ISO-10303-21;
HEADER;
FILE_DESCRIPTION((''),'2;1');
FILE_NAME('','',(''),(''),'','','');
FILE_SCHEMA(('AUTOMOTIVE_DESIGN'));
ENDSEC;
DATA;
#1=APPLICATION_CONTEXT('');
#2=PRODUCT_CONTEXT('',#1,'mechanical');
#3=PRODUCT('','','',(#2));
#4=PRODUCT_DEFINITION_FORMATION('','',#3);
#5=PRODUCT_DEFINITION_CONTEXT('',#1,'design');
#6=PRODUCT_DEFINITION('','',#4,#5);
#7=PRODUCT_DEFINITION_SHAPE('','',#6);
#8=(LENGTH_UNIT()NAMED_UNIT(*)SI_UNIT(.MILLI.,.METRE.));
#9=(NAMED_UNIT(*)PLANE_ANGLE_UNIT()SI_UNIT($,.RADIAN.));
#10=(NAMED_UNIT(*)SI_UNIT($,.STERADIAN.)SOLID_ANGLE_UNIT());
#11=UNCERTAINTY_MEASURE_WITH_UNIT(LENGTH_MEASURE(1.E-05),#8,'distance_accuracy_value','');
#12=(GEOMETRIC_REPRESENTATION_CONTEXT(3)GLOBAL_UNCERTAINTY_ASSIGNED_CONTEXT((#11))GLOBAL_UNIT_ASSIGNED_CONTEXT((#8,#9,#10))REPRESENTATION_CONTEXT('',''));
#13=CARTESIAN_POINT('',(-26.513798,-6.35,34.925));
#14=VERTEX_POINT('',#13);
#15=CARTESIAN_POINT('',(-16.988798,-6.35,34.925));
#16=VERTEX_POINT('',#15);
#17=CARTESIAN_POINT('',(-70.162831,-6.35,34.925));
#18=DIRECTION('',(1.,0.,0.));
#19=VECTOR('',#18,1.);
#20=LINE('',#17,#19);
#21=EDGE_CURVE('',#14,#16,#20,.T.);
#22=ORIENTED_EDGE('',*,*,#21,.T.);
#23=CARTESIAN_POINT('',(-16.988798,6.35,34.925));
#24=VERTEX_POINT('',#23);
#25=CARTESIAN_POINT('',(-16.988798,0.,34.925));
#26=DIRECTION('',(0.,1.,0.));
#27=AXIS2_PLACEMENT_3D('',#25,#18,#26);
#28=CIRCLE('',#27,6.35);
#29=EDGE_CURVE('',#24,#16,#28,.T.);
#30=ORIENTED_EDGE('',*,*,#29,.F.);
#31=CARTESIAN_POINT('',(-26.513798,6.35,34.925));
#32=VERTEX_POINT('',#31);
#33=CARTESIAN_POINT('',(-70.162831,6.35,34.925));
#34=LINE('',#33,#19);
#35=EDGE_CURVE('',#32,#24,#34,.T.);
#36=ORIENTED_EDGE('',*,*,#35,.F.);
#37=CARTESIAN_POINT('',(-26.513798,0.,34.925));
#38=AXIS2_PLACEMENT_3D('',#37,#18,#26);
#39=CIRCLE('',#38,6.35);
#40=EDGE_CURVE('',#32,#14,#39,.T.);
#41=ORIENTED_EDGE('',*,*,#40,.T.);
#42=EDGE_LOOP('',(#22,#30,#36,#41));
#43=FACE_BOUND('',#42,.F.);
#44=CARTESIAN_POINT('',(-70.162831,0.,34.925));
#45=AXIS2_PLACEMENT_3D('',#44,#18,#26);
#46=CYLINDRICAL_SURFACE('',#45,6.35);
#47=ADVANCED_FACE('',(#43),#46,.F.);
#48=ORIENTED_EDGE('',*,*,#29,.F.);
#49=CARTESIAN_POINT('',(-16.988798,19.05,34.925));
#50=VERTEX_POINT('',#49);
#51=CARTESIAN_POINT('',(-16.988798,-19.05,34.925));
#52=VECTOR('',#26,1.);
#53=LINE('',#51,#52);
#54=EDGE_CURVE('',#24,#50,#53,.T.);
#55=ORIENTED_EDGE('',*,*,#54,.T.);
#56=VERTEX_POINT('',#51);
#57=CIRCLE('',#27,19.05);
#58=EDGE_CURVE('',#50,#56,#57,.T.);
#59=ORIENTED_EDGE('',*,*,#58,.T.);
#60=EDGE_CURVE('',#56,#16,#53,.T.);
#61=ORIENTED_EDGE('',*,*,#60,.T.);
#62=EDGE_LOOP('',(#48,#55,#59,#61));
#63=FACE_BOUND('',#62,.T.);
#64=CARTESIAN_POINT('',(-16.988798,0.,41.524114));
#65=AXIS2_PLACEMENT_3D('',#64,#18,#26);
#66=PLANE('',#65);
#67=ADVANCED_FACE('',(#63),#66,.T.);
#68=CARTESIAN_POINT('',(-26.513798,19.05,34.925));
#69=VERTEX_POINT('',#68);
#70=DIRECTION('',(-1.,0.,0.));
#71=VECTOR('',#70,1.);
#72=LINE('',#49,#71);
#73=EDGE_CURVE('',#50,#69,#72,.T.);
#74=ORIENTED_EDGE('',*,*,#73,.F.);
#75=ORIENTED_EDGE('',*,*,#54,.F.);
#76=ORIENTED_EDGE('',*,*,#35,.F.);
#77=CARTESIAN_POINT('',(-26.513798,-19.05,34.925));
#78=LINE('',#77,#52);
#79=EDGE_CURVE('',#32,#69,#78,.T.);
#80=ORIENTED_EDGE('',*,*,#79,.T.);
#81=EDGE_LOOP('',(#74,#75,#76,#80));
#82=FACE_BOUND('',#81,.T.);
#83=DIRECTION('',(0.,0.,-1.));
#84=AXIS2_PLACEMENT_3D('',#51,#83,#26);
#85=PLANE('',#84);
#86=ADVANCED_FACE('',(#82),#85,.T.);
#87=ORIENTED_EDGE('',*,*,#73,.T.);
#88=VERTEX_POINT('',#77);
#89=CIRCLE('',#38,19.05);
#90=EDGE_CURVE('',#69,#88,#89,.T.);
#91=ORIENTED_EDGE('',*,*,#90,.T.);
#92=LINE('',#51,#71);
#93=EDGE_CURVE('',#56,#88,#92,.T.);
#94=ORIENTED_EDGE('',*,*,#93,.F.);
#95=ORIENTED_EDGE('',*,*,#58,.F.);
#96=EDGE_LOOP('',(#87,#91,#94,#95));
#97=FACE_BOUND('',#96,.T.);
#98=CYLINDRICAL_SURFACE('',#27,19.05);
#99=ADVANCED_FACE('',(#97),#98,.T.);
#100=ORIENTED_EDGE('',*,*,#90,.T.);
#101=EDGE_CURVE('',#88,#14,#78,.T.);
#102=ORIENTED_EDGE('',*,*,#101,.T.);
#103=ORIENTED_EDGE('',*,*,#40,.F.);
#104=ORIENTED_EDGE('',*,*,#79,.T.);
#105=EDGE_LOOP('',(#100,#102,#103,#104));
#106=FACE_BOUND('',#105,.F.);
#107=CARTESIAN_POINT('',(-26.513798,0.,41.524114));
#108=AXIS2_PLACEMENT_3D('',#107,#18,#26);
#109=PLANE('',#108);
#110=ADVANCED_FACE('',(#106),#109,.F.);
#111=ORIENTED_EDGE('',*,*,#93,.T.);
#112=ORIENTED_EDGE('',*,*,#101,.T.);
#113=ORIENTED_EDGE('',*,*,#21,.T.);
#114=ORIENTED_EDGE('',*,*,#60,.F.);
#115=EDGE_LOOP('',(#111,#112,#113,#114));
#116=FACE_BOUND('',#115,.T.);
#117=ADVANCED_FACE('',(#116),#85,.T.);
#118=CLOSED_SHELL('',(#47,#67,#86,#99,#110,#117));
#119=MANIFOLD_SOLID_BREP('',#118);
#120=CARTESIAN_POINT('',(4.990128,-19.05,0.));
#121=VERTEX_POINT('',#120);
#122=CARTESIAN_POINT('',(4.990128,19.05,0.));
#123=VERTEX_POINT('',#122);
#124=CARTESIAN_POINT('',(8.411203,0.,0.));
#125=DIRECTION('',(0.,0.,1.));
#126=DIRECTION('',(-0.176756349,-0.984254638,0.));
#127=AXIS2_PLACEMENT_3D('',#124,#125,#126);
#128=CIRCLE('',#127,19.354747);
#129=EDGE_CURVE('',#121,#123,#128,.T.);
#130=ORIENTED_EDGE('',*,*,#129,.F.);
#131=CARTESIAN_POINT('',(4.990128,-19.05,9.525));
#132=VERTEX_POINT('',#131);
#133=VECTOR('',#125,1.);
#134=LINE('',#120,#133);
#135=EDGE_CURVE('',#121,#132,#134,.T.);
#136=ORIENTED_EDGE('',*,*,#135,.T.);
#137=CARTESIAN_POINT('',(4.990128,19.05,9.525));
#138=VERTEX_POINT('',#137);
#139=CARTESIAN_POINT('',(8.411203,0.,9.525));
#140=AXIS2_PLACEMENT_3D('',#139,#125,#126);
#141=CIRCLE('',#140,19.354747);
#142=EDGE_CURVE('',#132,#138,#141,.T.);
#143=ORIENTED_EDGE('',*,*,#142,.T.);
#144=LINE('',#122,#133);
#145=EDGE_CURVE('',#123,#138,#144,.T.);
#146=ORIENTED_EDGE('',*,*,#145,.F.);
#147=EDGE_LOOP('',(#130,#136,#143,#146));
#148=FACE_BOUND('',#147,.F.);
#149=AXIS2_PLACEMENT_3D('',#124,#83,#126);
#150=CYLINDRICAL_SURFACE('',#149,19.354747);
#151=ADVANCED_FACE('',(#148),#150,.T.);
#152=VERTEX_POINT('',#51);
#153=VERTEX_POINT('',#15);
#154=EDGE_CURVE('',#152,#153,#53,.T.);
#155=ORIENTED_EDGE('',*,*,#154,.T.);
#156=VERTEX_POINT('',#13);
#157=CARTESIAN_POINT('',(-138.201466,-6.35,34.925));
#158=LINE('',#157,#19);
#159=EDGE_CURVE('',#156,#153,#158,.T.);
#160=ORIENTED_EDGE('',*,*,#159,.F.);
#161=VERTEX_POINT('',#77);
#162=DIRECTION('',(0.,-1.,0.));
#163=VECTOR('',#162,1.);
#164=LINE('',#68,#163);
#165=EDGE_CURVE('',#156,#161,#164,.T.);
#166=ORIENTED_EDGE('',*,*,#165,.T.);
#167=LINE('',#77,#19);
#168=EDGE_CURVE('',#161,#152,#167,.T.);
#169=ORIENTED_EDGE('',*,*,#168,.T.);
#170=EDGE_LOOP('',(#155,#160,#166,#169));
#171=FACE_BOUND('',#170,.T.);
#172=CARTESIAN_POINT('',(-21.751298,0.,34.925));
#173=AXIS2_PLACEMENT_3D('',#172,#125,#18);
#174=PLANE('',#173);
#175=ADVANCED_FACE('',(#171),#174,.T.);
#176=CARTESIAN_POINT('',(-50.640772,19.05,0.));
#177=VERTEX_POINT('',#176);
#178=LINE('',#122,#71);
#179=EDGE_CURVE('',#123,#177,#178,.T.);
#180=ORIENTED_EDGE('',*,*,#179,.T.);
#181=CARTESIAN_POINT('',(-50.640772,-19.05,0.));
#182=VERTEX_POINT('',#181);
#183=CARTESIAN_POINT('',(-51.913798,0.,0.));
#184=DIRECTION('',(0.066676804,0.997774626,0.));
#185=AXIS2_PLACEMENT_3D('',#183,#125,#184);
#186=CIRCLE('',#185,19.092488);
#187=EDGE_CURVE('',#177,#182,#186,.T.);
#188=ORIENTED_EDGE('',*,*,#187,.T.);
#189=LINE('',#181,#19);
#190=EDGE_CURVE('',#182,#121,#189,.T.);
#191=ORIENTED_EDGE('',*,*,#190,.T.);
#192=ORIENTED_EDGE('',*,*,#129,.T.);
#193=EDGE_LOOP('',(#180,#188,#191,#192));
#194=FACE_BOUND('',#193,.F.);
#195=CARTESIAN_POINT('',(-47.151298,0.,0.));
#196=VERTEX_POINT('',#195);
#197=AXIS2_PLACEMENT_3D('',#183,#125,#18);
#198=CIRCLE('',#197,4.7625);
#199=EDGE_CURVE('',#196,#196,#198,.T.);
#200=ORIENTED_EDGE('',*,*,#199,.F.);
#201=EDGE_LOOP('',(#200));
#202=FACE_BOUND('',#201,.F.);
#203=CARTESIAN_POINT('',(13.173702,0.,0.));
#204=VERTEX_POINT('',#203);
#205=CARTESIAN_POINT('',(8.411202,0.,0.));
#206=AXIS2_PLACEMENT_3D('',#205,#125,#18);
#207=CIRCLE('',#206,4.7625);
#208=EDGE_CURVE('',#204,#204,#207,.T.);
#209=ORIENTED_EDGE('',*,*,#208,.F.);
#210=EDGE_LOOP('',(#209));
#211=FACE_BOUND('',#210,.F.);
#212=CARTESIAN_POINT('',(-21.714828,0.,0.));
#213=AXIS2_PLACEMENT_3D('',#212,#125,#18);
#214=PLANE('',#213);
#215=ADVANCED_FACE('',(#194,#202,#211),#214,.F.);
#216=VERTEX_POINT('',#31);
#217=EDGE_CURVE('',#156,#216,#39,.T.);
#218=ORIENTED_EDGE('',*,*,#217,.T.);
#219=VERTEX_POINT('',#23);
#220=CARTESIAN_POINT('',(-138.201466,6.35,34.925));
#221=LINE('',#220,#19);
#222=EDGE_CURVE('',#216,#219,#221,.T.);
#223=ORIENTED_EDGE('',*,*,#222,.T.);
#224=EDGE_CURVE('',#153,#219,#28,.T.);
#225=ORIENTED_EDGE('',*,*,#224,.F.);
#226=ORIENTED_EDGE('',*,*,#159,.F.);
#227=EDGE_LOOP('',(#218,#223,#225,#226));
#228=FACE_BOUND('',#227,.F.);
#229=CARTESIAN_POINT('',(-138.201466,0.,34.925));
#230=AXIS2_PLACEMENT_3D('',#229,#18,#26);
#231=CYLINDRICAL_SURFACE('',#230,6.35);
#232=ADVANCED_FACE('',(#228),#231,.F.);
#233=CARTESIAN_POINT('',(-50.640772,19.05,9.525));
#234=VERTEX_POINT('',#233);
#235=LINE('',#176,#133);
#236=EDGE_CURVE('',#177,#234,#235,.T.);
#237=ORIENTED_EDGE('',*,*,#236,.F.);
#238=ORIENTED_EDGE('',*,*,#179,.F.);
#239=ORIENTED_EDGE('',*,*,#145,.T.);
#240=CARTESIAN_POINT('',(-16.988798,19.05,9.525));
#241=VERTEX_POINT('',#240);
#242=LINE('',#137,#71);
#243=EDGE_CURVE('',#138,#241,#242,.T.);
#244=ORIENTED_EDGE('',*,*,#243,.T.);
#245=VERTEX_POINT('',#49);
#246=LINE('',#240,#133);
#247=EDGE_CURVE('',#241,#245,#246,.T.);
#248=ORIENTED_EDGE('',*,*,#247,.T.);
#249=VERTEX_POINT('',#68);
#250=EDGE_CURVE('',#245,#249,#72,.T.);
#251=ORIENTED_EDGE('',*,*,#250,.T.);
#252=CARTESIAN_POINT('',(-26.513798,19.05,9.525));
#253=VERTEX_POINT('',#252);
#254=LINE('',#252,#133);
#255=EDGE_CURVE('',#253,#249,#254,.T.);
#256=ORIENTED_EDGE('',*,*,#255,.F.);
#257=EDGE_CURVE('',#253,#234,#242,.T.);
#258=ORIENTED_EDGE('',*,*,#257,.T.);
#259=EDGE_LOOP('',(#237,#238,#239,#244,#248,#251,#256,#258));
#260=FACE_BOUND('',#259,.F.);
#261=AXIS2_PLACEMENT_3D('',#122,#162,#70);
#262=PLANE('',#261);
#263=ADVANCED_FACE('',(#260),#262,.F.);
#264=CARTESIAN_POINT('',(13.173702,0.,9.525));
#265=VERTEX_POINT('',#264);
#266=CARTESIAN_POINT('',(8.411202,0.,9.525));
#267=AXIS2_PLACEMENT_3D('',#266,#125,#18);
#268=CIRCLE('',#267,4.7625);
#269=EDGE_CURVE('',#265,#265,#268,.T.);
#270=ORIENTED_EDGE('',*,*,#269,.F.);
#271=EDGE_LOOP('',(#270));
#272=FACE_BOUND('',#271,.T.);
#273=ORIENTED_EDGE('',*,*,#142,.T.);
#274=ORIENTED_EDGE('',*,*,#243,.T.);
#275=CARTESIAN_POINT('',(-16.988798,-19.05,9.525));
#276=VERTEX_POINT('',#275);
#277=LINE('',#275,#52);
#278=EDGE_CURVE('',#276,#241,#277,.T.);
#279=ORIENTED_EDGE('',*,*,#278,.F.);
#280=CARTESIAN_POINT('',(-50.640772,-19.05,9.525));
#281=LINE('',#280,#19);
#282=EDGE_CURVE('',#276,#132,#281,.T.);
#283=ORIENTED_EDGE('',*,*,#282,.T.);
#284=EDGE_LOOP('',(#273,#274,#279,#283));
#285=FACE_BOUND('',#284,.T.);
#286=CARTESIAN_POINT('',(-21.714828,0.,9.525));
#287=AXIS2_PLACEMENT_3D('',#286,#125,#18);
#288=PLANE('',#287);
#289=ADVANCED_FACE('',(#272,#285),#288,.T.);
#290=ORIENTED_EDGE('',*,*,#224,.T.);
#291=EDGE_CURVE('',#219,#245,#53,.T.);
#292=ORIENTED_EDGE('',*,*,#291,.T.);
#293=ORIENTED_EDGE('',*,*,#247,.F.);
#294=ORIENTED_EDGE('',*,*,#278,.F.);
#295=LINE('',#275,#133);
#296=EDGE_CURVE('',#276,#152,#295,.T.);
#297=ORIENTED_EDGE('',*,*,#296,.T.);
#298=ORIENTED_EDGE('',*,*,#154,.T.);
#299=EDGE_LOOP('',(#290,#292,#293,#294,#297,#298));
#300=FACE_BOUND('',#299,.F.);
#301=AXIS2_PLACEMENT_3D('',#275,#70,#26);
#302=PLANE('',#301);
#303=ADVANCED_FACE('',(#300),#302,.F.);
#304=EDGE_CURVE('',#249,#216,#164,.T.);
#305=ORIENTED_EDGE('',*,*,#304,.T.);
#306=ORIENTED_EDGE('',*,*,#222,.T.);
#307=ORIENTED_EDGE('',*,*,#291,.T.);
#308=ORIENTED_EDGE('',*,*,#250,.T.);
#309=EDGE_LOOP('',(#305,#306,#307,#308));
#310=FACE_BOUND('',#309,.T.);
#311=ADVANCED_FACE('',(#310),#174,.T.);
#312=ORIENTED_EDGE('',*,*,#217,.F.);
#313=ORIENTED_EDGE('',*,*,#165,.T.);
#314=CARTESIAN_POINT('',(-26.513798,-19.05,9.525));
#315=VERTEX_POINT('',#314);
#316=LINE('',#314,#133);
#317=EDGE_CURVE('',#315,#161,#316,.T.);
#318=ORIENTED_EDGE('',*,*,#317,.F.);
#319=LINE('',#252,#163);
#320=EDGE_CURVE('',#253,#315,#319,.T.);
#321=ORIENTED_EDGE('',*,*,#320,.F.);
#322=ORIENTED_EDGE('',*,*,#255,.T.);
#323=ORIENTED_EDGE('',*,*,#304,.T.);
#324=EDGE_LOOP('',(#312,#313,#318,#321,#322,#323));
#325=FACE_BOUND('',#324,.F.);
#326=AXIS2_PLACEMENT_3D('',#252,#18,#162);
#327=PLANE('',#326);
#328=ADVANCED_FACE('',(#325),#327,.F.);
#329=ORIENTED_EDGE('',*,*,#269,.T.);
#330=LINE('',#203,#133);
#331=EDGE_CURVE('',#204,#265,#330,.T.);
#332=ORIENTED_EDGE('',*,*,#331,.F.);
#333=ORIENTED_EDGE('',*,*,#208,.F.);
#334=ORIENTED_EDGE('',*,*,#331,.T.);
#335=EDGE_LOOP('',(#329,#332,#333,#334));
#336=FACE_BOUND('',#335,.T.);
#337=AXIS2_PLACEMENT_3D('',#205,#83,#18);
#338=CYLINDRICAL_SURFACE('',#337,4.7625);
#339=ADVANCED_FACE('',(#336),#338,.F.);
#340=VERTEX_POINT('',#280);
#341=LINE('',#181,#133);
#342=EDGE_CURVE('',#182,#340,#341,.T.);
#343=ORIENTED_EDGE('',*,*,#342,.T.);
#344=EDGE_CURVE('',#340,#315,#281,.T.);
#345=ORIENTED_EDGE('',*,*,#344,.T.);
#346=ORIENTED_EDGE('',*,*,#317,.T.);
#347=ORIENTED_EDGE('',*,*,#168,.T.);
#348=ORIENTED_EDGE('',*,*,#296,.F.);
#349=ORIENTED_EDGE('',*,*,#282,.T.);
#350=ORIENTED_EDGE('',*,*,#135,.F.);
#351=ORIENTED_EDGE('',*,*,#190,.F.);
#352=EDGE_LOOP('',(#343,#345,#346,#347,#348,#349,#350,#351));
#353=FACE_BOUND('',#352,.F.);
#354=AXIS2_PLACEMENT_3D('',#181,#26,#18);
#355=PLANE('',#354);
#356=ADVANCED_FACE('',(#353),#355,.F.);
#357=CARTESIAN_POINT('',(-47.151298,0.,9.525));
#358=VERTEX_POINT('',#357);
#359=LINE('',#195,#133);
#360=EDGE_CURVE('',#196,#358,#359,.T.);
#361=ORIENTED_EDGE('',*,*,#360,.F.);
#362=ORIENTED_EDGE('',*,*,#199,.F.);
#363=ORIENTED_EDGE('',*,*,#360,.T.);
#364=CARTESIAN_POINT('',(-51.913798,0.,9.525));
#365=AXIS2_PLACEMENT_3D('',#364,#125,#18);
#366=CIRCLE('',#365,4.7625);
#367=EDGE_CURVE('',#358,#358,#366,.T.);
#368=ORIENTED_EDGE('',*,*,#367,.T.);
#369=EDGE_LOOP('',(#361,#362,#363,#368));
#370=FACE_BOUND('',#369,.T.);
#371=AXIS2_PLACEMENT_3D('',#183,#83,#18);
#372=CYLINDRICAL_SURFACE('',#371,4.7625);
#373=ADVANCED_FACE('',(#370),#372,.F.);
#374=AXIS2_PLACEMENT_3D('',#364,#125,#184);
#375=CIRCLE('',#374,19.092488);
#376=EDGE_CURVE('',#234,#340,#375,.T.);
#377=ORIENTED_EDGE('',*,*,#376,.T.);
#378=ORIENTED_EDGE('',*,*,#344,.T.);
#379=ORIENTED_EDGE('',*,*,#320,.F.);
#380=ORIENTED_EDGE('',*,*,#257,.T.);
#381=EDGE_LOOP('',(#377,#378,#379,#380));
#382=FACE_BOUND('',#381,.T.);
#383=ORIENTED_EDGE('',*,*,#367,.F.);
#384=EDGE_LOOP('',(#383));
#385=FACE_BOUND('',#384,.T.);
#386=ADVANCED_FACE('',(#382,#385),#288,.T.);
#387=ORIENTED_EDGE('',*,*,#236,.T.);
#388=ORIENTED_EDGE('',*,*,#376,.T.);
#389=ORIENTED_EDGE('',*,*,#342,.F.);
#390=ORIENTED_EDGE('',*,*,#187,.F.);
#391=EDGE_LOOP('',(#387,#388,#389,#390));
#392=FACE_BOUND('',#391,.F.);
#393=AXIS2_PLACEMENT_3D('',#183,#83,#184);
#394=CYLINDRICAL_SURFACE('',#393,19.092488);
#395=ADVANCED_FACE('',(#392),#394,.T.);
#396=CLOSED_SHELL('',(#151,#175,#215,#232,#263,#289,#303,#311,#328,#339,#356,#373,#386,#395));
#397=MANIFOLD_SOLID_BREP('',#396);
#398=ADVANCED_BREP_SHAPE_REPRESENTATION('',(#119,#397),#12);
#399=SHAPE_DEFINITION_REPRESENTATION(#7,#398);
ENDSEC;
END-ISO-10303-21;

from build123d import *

# Parameters (mm, degrees)
F0_R     = 4.7625
F1_DEPTH = 9.525
F3_DEPTH = 25.4
F5_DEPTH = 9.525
F7_D     = 12.7
F7_2_D   = 12.7


with BuildPart() as f1:
    # F0 (on Top) → F1 (new body)
    with BuildSketch(Plane.XY):
        with BuildLine():
            Line((4.990128, 19.05), (-50.640772, 19.05))
            ThreePointArc((-50.640772, 19.05), (-71.006286, 0), (-50.640772, -19.05))
            Line((-50.640772, -19.05), (4.990128, -19.05))
            ThreePointArc((4.990128, -19.05), (27.76595, 0), (4.990128, 19.05))
        make_face()
        with Locations((-51.913798, 0)):
            Circle(F0_R, mode=Mode.SUBTRACT)
        with Locations((8.411202, 0)):
            Circle(F0_R, mode=Mode.SUBTRACT)
    extrude(amount=F1_DEPTH)

    # F2 (on face) → F3 (join)
    with BuildSketch(Plane.XY.offset(9.525)):
        Polygon((-26.513798, 19.05), (-26.513798, 0), (-26.513798, -19.05), (-16.988798, -19.05), (-16.988798, 0), (-16.988798, 19.05), align=None)
    extrude(amount=F3_DEPTH)

    # F7 (through all)
    with Locations(Plane(origin=(-26.513798, 0, 0), x_dir=(0, -1, 0), z_dir=(-1, 0, 0))):
        with Locations((0, 34.925)):
            Hole(F7_D / 2)


with BuildPart() as f5:
    # F4 (on face) → F5 (new body)
    with BuildSketch(Plane.YZ.offset(-16.988798)):
        with BuildLine():
            Line((-19.05, 34.925), (19.05, 34.925))
            ThreePointArc((19.05, 34.925), (0, 53.975), (-19.05, 34.925))
        make_face()
    extrude(amount=-F5_DEPTH)

    # F7#2 (through all)
    with Locations(Plane(origin=(-26.513798, 0, 0), x_dir=(0, -1, 0), z_dir=(-1, 0, 0))):
        with Locations((0, 34.925)):
            Hole(F7_2_D / 2)


solid = Compound([f1.part, f5.part])
